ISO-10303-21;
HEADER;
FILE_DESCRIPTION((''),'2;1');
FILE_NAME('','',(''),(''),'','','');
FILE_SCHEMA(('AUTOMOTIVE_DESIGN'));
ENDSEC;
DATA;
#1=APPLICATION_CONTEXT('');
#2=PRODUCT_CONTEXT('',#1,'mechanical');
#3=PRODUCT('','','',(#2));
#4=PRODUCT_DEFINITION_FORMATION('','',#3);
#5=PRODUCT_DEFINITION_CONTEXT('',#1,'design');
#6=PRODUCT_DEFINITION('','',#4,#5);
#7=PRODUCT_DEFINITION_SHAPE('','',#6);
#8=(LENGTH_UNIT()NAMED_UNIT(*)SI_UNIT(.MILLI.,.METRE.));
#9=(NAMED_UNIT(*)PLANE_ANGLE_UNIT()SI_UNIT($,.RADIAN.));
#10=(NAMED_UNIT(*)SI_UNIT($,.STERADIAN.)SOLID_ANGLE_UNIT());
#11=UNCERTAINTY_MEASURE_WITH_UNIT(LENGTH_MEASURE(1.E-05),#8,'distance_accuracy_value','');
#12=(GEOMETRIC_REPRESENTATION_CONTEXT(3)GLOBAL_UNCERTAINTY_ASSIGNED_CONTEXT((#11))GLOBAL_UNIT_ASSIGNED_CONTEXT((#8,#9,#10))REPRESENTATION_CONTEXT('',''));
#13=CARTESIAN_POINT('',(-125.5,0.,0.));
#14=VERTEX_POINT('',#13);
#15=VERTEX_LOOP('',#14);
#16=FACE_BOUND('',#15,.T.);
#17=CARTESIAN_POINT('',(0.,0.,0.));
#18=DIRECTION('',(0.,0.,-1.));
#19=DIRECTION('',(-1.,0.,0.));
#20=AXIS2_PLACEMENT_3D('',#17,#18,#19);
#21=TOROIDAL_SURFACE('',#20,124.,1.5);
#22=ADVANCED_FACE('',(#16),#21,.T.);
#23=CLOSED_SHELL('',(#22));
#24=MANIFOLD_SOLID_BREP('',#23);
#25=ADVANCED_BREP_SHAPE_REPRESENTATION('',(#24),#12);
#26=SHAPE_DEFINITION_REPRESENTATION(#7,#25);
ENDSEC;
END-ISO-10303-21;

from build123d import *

# Parameters (mm, degrees)
SKETCH6_R = 1.5


with BuildPart() as part:
    # Sketch6 → Revolve1 (revolve)
    with BuildSketch(Plane(origin=(0, 0, 0), x_dir=(0, 0, -1), z_dir=(1, 0, 0)), mode=Mode.PRIVATE) as revolve1_sk:
        with Locations((0, 124)):
            Circle(SKETCH6_R)
    revolve(revolve1_sk.sketch.rotate(Axis((0, 0, -8.513816688), (0, 0, 1)), 90), axis=Axis((0, 0, -8.513816688), (0, 0, 1)))


solid = part.part
